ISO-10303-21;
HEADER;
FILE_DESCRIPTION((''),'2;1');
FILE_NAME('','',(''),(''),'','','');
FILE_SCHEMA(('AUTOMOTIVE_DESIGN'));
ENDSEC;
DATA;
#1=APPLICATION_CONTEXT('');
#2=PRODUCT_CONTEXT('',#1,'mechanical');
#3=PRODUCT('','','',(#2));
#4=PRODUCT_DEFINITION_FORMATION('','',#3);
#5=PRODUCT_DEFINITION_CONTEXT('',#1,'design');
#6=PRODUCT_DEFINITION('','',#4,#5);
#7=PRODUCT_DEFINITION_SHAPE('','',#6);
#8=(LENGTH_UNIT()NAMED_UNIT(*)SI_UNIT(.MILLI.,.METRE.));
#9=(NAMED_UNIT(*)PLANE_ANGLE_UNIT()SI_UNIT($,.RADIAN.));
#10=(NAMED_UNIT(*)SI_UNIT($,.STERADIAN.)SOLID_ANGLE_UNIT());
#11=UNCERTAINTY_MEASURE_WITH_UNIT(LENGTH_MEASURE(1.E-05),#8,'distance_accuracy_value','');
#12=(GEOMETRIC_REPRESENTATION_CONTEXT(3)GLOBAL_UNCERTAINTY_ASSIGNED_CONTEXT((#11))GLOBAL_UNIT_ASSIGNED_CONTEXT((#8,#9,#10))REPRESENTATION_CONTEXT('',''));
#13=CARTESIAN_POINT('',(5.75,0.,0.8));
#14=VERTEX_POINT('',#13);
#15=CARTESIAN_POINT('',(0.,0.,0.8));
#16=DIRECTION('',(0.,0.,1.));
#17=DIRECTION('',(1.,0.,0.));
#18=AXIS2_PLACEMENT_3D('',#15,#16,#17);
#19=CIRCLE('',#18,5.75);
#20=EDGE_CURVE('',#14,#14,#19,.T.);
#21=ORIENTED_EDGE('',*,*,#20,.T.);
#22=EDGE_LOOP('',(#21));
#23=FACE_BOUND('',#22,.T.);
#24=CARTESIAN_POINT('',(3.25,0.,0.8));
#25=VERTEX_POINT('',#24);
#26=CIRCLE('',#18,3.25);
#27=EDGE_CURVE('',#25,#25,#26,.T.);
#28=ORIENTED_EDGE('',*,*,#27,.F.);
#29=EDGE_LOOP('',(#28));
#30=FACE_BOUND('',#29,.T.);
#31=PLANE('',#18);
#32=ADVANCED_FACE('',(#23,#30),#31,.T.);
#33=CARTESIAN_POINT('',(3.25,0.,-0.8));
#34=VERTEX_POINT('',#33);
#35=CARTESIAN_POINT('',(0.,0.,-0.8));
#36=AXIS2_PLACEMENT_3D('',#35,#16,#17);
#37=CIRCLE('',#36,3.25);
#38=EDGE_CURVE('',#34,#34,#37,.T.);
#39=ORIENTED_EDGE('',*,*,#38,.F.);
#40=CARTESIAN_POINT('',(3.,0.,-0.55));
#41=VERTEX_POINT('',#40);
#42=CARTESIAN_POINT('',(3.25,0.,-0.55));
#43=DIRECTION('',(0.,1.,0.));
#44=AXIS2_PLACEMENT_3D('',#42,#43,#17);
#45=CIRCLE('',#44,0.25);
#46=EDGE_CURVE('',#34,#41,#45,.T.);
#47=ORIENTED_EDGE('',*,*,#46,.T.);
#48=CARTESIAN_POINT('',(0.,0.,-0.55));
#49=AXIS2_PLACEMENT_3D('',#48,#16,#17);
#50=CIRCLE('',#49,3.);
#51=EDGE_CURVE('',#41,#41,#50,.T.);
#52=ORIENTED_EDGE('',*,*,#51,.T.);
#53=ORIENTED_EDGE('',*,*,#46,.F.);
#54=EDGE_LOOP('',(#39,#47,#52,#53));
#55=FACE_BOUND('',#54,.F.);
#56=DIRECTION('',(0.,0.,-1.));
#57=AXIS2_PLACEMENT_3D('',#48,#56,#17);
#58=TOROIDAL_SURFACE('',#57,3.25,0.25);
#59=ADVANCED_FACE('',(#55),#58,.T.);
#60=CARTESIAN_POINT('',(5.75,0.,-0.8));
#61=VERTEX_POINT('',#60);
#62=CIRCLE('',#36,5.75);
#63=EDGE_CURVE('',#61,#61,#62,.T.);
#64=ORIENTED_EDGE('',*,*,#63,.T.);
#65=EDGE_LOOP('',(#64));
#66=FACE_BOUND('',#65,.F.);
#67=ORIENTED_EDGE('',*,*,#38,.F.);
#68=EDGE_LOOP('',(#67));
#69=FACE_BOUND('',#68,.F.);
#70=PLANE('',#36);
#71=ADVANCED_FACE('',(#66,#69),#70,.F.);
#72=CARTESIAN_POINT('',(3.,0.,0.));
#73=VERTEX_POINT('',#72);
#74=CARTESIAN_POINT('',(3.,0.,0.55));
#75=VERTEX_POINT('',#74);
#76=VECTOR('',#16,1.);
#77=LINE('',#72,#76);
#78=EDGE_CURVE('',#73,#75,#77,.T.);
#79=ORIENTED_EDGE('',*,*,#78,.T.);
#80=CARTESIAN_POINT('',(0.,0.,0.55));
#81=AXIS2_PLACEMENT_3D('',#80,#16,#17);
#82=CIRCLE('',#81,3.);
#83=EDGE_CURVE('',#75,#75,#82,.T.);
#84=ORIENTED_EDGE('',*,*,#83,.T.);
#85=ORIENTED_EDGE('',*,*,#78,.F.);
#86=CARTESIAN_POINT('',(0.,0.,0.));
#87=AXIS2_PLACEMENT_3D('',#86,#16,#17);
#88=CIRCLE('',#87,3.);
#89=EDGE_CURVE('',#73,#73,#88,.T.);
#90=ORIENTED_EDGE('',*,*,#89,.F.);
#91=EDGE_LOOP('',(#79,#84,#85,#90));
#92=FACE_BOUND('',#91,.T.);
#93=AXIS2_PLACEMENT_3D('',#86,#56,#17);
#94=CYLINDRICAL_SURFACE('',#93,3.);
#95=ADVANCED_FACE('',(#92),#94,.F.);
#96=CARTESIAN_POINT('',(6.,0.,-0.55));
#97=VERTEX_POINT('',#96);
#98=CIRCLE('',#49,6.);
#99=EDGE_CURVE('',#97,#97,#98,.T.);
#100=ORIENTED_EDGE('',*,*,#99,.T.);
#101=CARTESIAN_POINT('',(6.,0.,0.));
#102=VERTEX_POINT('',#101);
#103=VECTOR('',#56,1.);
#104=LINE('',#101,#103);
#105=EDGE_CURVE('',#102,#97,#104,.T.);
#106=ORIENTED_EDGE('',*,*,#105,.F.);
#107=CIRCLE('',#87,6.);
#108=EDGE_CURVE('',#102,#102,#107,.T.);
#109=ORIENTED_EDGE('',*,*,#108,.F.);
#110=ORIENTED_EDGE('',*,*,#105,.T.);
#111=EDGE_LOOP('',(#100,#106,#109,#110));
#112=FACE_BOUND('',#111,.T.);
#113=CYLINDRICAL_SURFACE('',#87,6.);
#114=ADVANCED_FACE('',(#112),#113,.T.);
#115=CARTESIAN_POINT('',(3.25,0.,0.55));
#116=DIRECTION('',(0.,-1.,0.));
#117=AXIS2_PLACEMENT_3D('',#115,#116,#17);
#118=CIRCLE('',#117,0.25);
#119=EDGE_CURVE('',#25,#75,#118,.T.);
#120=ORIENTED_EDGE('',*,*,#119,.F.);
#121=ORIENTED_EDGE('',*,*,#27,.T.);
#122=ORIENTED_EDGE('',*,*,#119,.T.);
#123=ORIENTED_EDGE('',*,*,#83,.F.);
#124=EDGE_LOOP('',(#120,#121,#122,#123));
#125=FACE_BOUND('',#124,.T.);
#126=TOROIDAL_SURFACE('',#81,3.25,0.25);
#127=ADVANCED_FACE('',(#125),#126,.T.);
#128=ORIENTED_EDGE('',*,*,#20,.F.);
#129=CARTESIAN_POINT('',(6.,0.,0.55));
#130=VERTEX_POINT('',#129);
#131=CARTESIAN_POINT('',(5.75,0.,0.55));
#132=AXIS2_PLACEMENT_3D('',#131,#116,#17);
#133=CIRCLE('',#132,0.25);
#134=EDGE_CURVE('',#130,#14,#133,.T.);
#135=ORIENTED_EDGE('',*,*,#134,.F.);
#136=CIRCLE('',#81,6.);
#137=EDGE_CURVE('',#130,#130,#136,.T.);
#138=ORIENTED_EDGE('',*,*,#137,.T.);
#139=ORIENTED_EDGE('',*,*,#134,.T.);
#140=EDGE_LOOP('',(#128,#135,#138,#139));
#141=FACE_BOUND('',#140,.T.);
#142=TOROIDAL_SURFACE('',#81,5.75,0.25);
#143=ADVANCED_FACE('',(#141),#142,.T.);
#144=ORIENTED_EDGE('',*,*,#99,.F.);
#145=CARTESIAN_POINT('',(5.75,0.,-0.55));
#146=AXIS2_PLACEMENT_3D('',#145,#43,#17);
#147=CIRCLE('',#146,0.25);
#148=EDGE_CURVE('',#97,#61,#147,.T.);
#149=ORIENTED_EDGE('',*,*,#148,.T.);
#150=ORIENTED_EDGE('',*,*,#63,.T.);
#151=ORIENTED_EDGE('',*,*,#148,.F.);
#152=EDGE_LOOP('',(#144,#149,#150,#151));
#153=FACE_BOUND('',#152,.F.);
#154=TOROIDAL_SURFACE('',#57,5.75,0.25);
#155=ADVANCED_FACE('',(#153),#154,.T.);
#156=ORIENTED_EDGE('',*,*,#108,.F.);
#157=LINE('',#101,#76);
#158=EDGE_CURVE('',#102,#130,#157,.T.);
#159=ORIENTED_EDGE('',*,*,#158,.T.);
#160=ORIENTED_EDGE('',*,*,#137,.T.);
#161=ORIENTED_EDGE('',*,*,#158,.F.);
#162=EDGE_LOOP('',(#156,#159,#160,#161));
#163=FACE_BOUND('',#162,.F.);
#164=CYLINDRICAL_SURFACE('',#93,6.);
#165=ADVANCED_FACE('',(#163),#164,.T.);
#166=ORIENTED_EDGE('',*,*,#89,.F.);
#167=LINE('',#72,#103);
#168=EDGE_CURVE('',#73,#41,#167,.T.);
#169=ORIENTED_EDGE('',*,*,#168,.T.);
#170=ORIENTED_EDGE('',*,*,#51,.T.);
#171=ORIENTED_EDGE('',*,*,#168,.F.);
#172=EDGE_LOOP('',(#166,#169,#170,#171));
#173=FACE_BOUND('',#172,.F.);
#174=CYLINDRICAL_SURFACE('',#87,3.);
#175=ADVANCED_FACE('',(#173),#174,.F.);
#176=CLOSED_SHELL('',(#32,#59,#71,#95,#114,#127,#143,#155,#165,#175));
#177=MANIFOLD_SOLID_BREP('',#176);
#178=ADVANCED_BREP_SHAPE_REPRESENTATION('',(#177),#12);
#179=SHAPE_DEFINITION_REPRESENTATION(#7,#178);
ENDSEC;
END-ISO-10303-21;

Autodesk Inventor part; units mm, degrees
ref_plane "YZ Plane" through (0, 0, 0) normal (1, 0, 0) x (0, 1, 0)
ref_plane "XZ Plane" through (0, 0, 0) normal (0, 1, 0) x (-1, 0, 0)
ref_plane "XY Plane" through (0, 0, 0) normal (0, 0, 1) x (1, 0, 0)
sketch "Skizze1" plane through (0, 0, 0) normal (0, 0, 1) x (1, 0, 0)
  circle A0 centre (0, 0) radius 3
  circle A1 centre (0, 0) radius 6
  dimension "d0" = 6
  dimension "d1" = 12
extrude "Extrusion1" add sketch "Skizze1" along normal mid plane 1.6
fillet "Rundung1" radius 0.25 4 edges at (-6, 0, 0.8) (-6, 0, -0.8) (-3, 0, 0.8) (-3, 0, -0.8)
properties part number "900-80-WASHERS-ISO8738-8" material "Edelstahl"
